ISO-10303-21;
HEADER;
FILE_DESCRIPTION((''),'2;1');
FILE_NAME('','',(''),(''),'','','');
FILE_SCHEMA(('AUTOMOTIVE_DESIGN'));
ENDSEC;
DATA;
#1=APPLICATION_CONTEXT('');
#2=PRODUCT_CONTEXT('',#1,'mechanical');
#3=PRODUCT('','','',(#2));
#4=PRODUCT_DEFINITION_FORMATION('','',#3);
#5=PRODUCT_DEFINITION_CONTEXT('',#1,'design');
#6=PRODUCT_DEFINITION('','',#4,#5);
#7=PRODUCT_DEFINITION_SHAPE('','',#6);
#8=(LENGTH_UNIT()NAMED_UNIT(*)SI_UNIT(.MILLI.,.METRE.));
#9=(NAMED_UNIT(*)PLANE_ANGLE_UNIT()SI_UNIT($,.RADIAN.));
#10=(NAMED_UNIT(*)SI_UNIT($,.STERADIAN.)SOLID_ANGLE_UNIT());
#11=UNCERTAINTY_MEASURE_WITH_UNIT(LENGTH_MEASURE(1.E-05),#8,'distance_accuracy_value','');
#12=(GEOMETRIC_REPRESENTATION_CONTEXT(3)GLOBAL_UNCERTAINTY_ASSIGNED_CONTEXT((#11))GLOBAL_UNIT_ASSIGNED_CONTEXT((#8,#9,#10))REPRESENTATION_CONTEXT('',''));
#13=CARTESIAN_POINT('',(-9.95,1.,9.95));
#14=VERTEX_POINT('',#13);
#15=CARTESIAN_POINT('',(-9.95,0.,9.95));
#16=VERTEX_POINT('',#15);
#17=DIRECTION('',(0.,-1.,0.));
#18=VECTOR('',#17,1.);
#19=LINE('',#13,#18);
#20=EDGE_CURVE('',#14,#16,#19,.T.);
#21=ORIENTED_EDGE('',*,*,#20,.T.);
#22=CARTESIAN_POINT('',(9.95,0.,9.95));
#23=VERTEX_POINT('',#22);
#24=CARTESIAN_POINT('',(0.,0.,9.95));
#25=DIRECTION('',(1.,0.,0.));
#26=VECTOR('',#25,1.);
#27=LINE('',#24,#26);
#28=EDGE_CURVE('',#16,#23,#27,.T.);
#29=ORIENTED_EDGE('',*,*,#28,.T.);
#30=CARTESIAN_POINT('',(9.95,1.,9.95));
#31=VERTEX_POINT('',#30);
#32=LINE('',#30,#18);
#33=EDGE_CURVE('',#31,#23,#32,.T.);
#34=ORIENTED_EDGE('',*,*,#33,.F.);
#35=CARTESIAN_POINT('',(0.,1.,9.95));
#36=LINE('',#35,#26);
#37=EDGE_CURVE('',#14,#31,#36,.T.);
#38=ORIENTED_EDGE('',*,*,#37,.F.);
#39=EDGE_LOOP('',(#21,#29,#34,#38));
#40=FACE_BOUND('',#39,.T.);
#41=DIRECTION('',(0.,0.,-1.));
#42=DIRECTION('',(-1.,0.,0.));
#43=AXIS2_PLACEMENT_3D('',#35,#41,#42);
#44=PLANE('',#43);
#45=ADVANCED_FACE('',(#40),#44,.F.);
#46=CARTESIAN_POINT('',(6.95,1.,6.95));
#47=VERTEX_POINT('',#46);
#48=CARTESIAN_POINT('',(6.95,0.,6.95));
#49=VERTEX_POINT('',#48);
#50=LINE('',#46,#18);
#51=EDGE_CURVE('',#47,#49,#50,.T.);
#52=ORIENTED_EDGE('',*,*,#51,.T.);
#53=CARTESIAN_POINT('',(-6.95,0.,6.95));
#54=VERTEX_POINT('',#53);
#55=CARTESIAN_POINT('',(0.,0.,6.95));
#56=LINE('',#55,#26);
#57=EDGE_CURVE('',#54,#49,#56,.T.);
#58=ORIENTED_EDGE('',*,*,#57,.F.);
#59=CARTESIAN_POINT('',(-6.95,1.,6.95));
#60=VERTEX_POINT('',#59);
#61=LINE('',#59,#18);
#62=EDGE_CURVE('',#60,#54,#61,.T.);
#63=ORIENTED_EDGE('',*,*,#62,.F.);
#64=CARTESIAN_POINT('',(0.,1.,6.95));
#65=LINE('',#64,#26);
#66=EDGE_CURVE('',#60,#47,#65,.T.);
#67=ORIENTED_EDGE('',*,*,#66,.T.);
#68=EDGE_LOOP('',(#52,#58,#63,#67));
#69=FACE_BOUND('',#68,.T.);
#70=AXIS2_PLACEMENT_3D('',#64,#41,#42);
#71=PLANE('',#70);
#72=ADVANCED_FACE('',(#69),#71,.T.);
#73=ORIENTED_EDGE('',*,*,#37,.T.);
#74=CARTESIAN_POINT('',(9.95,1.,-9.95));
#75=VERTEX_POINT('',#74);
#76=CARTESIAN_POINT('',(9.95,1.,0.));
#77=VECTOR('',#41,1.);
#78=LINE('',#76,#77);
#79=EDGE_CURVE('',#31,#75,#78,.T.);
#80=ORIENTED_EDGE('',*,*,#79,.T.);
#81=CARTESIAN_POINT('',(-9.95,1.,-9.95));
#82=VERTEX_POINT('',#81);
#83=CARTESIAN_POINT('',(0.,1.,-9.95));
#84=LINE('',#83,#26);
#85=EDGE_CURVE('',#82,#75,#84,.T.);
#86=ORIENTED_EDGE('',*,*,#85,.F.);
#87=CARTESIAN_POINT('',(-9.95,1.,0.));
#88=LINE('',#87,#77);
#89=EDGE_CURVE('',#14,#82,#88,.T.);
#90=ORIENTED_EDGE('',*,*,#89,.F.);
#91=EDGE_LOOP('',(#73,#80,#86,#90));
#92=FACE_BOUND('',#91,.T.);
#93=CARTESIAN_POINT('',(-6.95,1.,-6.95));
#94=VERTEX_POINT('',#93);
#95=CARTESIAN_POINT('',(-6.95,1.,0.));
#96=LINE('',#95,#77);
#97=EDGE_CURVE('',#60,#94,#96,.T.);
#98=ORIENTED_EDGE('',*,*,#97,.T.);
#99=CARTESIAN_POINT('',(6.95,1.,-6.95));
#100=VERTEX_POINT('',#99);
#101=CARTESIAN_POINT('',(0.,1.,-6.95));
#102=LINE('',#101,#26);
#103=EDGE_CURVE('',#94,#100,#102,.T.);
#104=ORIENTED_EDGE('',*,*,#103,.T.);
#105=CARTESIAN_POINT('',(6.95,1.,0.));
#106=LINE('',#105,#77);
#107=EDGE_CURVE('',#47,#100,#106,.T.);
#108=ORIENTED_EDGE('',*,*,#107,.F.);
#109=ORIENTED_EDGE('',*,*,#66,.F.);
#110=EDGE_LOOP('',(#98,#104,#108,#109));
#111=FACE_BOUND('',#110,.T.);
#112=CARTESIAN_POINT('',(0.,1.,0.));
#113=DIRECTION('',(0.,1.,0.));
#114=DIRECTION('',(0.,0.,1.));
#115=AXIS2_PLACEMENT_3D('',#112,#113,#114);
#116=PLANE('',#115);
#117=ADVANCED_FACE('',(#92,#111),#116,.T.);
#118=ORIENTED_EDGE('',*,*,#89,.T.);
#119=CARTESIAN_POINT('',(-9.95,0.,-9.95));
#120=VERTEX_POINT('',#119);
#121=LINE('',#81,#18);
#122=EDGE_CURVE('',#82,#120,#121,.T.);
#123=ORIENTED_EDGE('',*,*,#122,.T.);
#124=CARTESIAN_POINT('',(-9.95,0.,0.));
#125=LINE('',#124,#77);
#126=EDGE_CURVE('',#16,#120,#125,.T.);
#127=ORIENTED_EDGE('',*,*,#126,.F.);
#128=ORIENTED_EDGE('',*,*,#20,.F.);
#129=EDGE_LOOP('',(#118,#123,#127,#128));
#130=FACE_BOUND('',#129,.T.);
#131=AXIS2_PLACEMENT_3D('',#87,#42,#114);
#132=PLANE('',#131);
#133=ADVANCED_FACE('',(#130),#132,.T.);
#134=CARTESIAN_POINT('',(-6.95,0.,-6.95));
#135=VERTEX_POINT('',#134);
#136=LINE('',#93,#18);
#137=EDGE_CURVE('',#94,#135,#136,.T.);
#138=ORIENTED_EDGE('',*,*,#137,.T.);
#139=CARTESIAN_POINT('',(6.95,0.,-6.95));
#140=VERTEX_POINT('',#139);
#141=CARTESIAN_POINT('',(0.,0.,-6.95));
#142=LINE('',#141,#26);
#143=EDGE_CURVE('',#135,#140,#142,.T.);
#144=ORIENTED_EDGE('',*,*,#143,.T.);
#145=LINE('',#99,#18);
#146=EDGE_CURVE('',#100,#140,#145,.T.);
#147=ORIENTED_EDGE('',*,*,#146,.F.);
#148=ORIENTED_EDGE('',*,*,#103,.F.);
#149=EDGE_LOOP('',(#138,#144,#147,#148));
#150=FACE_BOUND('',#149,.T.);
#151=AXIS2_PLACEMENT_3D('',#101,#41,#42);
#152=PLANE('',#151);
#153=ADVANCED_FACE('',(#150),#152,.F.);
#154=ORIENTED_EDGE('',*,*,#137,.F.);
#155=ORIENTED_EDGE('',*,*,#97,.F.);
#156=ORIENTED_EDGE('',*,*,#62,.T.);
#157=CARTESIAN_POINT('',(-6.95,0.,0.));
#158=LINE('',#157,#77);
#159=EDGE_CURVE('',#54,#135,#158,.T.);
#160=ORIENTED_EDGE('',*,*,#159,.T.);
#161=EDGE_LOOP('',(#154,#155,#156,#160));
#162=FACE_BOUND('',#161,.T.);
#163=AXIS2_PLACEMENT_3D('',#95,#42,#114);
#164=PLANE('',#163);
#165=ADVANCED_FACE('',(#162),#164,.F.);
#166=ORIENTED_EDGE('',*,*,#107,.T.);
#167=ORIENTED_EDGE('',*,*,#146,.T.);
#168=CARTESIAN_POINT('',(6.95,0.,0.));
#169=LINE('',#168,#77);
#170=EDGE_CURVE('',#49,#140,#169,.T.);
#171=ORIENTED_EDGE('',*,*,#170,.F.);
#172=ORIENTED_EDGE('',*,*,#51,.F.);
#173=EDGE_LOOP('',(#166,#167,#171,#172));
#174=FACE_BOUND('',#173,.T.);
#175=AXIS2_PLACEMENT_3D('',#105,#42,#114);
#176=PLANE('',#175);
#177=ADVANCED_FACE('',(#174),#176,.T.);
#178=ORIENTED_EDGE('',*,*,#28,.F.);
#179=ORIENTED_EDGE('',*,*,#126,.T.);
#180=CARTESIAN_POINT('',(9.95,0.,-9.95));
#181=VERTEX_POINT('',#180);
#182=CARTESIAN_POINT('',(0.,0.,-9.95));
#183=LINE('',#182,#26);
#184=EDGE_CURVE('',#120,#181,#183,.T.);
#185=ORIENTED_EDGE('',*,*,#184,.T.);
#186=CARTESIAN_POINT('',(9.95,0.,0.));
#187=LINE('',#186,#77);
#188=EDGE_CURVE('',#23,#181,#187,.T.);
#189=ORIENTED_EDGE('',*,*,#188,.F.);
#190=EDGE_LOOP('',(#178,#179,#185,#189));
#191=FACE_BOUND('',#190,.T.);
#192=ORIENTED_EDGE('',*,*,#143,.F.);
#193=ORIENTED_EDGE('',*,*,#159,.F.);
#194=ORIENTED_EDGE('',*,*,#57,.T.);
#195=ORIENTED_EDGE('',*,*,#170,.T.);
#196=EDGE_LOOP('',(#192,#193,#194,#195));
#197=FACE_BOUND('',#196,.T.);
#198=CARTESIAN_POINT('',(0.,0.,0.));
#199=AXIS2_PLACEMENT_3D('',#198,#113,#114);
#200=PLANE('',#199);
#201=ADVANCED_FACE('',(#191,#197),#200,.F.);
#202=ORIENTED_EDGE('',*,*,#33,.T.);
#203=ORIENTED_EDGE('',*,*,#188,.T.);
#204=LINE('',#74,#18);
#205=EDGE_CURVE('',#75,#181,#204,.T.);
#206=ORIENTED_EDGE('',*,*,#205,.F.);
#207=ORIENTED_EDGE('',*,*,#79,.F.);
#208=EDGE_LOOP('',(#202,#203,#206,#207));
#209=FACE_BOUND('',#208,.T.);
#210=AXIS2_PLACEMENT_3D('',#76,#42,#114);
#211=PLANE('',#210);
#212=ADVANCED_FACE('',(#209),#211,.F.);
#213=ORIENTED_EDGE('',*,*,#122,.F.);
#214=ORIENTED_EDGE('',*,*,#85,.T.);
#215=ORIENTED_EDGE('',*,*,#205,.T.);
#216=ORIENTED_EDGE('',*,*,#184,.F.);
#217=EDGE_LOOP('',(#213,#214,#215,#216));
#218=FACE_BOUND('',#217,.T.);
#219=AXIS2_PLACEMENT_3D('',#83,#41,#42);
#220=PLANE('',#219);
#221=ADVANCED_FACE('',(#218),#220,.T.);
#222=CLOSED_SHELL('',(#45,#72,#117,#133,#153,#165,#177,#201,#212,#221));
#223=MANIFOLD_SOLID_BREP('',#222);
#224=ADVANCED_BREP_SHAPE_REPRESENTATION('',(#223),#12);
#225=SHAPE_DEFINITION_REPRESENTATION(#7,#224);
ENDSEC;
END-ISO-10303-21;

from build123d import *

# Parameters (mm, degrees)
SKETCH_4_W      = 19.9
SKETCH_4_H      = 19.9
SKETCH_4_W_2    = 13.9
SKETCH_4_H_2    = 13.9
EXTRUDE_1_DEPTH = 1


with BuildPart() as part:
    # 草图4 → 凸台-拉伸1 (new body)
    with BuildSketch(Plane(origin=(0, 0, 0), x_dir=(1, 0, 0), z_dir=(0, 1, 0))):
        Rectangle(SKETCH_4_W, SKETCH_4_H)
        Rectangle(SKETCH_4_W_2, SKETCH_4_H_2, mode=Mode.SUBTRACT)
    extrude(amount=EXTRUDE_1_DEPTH)


solid = part.part
